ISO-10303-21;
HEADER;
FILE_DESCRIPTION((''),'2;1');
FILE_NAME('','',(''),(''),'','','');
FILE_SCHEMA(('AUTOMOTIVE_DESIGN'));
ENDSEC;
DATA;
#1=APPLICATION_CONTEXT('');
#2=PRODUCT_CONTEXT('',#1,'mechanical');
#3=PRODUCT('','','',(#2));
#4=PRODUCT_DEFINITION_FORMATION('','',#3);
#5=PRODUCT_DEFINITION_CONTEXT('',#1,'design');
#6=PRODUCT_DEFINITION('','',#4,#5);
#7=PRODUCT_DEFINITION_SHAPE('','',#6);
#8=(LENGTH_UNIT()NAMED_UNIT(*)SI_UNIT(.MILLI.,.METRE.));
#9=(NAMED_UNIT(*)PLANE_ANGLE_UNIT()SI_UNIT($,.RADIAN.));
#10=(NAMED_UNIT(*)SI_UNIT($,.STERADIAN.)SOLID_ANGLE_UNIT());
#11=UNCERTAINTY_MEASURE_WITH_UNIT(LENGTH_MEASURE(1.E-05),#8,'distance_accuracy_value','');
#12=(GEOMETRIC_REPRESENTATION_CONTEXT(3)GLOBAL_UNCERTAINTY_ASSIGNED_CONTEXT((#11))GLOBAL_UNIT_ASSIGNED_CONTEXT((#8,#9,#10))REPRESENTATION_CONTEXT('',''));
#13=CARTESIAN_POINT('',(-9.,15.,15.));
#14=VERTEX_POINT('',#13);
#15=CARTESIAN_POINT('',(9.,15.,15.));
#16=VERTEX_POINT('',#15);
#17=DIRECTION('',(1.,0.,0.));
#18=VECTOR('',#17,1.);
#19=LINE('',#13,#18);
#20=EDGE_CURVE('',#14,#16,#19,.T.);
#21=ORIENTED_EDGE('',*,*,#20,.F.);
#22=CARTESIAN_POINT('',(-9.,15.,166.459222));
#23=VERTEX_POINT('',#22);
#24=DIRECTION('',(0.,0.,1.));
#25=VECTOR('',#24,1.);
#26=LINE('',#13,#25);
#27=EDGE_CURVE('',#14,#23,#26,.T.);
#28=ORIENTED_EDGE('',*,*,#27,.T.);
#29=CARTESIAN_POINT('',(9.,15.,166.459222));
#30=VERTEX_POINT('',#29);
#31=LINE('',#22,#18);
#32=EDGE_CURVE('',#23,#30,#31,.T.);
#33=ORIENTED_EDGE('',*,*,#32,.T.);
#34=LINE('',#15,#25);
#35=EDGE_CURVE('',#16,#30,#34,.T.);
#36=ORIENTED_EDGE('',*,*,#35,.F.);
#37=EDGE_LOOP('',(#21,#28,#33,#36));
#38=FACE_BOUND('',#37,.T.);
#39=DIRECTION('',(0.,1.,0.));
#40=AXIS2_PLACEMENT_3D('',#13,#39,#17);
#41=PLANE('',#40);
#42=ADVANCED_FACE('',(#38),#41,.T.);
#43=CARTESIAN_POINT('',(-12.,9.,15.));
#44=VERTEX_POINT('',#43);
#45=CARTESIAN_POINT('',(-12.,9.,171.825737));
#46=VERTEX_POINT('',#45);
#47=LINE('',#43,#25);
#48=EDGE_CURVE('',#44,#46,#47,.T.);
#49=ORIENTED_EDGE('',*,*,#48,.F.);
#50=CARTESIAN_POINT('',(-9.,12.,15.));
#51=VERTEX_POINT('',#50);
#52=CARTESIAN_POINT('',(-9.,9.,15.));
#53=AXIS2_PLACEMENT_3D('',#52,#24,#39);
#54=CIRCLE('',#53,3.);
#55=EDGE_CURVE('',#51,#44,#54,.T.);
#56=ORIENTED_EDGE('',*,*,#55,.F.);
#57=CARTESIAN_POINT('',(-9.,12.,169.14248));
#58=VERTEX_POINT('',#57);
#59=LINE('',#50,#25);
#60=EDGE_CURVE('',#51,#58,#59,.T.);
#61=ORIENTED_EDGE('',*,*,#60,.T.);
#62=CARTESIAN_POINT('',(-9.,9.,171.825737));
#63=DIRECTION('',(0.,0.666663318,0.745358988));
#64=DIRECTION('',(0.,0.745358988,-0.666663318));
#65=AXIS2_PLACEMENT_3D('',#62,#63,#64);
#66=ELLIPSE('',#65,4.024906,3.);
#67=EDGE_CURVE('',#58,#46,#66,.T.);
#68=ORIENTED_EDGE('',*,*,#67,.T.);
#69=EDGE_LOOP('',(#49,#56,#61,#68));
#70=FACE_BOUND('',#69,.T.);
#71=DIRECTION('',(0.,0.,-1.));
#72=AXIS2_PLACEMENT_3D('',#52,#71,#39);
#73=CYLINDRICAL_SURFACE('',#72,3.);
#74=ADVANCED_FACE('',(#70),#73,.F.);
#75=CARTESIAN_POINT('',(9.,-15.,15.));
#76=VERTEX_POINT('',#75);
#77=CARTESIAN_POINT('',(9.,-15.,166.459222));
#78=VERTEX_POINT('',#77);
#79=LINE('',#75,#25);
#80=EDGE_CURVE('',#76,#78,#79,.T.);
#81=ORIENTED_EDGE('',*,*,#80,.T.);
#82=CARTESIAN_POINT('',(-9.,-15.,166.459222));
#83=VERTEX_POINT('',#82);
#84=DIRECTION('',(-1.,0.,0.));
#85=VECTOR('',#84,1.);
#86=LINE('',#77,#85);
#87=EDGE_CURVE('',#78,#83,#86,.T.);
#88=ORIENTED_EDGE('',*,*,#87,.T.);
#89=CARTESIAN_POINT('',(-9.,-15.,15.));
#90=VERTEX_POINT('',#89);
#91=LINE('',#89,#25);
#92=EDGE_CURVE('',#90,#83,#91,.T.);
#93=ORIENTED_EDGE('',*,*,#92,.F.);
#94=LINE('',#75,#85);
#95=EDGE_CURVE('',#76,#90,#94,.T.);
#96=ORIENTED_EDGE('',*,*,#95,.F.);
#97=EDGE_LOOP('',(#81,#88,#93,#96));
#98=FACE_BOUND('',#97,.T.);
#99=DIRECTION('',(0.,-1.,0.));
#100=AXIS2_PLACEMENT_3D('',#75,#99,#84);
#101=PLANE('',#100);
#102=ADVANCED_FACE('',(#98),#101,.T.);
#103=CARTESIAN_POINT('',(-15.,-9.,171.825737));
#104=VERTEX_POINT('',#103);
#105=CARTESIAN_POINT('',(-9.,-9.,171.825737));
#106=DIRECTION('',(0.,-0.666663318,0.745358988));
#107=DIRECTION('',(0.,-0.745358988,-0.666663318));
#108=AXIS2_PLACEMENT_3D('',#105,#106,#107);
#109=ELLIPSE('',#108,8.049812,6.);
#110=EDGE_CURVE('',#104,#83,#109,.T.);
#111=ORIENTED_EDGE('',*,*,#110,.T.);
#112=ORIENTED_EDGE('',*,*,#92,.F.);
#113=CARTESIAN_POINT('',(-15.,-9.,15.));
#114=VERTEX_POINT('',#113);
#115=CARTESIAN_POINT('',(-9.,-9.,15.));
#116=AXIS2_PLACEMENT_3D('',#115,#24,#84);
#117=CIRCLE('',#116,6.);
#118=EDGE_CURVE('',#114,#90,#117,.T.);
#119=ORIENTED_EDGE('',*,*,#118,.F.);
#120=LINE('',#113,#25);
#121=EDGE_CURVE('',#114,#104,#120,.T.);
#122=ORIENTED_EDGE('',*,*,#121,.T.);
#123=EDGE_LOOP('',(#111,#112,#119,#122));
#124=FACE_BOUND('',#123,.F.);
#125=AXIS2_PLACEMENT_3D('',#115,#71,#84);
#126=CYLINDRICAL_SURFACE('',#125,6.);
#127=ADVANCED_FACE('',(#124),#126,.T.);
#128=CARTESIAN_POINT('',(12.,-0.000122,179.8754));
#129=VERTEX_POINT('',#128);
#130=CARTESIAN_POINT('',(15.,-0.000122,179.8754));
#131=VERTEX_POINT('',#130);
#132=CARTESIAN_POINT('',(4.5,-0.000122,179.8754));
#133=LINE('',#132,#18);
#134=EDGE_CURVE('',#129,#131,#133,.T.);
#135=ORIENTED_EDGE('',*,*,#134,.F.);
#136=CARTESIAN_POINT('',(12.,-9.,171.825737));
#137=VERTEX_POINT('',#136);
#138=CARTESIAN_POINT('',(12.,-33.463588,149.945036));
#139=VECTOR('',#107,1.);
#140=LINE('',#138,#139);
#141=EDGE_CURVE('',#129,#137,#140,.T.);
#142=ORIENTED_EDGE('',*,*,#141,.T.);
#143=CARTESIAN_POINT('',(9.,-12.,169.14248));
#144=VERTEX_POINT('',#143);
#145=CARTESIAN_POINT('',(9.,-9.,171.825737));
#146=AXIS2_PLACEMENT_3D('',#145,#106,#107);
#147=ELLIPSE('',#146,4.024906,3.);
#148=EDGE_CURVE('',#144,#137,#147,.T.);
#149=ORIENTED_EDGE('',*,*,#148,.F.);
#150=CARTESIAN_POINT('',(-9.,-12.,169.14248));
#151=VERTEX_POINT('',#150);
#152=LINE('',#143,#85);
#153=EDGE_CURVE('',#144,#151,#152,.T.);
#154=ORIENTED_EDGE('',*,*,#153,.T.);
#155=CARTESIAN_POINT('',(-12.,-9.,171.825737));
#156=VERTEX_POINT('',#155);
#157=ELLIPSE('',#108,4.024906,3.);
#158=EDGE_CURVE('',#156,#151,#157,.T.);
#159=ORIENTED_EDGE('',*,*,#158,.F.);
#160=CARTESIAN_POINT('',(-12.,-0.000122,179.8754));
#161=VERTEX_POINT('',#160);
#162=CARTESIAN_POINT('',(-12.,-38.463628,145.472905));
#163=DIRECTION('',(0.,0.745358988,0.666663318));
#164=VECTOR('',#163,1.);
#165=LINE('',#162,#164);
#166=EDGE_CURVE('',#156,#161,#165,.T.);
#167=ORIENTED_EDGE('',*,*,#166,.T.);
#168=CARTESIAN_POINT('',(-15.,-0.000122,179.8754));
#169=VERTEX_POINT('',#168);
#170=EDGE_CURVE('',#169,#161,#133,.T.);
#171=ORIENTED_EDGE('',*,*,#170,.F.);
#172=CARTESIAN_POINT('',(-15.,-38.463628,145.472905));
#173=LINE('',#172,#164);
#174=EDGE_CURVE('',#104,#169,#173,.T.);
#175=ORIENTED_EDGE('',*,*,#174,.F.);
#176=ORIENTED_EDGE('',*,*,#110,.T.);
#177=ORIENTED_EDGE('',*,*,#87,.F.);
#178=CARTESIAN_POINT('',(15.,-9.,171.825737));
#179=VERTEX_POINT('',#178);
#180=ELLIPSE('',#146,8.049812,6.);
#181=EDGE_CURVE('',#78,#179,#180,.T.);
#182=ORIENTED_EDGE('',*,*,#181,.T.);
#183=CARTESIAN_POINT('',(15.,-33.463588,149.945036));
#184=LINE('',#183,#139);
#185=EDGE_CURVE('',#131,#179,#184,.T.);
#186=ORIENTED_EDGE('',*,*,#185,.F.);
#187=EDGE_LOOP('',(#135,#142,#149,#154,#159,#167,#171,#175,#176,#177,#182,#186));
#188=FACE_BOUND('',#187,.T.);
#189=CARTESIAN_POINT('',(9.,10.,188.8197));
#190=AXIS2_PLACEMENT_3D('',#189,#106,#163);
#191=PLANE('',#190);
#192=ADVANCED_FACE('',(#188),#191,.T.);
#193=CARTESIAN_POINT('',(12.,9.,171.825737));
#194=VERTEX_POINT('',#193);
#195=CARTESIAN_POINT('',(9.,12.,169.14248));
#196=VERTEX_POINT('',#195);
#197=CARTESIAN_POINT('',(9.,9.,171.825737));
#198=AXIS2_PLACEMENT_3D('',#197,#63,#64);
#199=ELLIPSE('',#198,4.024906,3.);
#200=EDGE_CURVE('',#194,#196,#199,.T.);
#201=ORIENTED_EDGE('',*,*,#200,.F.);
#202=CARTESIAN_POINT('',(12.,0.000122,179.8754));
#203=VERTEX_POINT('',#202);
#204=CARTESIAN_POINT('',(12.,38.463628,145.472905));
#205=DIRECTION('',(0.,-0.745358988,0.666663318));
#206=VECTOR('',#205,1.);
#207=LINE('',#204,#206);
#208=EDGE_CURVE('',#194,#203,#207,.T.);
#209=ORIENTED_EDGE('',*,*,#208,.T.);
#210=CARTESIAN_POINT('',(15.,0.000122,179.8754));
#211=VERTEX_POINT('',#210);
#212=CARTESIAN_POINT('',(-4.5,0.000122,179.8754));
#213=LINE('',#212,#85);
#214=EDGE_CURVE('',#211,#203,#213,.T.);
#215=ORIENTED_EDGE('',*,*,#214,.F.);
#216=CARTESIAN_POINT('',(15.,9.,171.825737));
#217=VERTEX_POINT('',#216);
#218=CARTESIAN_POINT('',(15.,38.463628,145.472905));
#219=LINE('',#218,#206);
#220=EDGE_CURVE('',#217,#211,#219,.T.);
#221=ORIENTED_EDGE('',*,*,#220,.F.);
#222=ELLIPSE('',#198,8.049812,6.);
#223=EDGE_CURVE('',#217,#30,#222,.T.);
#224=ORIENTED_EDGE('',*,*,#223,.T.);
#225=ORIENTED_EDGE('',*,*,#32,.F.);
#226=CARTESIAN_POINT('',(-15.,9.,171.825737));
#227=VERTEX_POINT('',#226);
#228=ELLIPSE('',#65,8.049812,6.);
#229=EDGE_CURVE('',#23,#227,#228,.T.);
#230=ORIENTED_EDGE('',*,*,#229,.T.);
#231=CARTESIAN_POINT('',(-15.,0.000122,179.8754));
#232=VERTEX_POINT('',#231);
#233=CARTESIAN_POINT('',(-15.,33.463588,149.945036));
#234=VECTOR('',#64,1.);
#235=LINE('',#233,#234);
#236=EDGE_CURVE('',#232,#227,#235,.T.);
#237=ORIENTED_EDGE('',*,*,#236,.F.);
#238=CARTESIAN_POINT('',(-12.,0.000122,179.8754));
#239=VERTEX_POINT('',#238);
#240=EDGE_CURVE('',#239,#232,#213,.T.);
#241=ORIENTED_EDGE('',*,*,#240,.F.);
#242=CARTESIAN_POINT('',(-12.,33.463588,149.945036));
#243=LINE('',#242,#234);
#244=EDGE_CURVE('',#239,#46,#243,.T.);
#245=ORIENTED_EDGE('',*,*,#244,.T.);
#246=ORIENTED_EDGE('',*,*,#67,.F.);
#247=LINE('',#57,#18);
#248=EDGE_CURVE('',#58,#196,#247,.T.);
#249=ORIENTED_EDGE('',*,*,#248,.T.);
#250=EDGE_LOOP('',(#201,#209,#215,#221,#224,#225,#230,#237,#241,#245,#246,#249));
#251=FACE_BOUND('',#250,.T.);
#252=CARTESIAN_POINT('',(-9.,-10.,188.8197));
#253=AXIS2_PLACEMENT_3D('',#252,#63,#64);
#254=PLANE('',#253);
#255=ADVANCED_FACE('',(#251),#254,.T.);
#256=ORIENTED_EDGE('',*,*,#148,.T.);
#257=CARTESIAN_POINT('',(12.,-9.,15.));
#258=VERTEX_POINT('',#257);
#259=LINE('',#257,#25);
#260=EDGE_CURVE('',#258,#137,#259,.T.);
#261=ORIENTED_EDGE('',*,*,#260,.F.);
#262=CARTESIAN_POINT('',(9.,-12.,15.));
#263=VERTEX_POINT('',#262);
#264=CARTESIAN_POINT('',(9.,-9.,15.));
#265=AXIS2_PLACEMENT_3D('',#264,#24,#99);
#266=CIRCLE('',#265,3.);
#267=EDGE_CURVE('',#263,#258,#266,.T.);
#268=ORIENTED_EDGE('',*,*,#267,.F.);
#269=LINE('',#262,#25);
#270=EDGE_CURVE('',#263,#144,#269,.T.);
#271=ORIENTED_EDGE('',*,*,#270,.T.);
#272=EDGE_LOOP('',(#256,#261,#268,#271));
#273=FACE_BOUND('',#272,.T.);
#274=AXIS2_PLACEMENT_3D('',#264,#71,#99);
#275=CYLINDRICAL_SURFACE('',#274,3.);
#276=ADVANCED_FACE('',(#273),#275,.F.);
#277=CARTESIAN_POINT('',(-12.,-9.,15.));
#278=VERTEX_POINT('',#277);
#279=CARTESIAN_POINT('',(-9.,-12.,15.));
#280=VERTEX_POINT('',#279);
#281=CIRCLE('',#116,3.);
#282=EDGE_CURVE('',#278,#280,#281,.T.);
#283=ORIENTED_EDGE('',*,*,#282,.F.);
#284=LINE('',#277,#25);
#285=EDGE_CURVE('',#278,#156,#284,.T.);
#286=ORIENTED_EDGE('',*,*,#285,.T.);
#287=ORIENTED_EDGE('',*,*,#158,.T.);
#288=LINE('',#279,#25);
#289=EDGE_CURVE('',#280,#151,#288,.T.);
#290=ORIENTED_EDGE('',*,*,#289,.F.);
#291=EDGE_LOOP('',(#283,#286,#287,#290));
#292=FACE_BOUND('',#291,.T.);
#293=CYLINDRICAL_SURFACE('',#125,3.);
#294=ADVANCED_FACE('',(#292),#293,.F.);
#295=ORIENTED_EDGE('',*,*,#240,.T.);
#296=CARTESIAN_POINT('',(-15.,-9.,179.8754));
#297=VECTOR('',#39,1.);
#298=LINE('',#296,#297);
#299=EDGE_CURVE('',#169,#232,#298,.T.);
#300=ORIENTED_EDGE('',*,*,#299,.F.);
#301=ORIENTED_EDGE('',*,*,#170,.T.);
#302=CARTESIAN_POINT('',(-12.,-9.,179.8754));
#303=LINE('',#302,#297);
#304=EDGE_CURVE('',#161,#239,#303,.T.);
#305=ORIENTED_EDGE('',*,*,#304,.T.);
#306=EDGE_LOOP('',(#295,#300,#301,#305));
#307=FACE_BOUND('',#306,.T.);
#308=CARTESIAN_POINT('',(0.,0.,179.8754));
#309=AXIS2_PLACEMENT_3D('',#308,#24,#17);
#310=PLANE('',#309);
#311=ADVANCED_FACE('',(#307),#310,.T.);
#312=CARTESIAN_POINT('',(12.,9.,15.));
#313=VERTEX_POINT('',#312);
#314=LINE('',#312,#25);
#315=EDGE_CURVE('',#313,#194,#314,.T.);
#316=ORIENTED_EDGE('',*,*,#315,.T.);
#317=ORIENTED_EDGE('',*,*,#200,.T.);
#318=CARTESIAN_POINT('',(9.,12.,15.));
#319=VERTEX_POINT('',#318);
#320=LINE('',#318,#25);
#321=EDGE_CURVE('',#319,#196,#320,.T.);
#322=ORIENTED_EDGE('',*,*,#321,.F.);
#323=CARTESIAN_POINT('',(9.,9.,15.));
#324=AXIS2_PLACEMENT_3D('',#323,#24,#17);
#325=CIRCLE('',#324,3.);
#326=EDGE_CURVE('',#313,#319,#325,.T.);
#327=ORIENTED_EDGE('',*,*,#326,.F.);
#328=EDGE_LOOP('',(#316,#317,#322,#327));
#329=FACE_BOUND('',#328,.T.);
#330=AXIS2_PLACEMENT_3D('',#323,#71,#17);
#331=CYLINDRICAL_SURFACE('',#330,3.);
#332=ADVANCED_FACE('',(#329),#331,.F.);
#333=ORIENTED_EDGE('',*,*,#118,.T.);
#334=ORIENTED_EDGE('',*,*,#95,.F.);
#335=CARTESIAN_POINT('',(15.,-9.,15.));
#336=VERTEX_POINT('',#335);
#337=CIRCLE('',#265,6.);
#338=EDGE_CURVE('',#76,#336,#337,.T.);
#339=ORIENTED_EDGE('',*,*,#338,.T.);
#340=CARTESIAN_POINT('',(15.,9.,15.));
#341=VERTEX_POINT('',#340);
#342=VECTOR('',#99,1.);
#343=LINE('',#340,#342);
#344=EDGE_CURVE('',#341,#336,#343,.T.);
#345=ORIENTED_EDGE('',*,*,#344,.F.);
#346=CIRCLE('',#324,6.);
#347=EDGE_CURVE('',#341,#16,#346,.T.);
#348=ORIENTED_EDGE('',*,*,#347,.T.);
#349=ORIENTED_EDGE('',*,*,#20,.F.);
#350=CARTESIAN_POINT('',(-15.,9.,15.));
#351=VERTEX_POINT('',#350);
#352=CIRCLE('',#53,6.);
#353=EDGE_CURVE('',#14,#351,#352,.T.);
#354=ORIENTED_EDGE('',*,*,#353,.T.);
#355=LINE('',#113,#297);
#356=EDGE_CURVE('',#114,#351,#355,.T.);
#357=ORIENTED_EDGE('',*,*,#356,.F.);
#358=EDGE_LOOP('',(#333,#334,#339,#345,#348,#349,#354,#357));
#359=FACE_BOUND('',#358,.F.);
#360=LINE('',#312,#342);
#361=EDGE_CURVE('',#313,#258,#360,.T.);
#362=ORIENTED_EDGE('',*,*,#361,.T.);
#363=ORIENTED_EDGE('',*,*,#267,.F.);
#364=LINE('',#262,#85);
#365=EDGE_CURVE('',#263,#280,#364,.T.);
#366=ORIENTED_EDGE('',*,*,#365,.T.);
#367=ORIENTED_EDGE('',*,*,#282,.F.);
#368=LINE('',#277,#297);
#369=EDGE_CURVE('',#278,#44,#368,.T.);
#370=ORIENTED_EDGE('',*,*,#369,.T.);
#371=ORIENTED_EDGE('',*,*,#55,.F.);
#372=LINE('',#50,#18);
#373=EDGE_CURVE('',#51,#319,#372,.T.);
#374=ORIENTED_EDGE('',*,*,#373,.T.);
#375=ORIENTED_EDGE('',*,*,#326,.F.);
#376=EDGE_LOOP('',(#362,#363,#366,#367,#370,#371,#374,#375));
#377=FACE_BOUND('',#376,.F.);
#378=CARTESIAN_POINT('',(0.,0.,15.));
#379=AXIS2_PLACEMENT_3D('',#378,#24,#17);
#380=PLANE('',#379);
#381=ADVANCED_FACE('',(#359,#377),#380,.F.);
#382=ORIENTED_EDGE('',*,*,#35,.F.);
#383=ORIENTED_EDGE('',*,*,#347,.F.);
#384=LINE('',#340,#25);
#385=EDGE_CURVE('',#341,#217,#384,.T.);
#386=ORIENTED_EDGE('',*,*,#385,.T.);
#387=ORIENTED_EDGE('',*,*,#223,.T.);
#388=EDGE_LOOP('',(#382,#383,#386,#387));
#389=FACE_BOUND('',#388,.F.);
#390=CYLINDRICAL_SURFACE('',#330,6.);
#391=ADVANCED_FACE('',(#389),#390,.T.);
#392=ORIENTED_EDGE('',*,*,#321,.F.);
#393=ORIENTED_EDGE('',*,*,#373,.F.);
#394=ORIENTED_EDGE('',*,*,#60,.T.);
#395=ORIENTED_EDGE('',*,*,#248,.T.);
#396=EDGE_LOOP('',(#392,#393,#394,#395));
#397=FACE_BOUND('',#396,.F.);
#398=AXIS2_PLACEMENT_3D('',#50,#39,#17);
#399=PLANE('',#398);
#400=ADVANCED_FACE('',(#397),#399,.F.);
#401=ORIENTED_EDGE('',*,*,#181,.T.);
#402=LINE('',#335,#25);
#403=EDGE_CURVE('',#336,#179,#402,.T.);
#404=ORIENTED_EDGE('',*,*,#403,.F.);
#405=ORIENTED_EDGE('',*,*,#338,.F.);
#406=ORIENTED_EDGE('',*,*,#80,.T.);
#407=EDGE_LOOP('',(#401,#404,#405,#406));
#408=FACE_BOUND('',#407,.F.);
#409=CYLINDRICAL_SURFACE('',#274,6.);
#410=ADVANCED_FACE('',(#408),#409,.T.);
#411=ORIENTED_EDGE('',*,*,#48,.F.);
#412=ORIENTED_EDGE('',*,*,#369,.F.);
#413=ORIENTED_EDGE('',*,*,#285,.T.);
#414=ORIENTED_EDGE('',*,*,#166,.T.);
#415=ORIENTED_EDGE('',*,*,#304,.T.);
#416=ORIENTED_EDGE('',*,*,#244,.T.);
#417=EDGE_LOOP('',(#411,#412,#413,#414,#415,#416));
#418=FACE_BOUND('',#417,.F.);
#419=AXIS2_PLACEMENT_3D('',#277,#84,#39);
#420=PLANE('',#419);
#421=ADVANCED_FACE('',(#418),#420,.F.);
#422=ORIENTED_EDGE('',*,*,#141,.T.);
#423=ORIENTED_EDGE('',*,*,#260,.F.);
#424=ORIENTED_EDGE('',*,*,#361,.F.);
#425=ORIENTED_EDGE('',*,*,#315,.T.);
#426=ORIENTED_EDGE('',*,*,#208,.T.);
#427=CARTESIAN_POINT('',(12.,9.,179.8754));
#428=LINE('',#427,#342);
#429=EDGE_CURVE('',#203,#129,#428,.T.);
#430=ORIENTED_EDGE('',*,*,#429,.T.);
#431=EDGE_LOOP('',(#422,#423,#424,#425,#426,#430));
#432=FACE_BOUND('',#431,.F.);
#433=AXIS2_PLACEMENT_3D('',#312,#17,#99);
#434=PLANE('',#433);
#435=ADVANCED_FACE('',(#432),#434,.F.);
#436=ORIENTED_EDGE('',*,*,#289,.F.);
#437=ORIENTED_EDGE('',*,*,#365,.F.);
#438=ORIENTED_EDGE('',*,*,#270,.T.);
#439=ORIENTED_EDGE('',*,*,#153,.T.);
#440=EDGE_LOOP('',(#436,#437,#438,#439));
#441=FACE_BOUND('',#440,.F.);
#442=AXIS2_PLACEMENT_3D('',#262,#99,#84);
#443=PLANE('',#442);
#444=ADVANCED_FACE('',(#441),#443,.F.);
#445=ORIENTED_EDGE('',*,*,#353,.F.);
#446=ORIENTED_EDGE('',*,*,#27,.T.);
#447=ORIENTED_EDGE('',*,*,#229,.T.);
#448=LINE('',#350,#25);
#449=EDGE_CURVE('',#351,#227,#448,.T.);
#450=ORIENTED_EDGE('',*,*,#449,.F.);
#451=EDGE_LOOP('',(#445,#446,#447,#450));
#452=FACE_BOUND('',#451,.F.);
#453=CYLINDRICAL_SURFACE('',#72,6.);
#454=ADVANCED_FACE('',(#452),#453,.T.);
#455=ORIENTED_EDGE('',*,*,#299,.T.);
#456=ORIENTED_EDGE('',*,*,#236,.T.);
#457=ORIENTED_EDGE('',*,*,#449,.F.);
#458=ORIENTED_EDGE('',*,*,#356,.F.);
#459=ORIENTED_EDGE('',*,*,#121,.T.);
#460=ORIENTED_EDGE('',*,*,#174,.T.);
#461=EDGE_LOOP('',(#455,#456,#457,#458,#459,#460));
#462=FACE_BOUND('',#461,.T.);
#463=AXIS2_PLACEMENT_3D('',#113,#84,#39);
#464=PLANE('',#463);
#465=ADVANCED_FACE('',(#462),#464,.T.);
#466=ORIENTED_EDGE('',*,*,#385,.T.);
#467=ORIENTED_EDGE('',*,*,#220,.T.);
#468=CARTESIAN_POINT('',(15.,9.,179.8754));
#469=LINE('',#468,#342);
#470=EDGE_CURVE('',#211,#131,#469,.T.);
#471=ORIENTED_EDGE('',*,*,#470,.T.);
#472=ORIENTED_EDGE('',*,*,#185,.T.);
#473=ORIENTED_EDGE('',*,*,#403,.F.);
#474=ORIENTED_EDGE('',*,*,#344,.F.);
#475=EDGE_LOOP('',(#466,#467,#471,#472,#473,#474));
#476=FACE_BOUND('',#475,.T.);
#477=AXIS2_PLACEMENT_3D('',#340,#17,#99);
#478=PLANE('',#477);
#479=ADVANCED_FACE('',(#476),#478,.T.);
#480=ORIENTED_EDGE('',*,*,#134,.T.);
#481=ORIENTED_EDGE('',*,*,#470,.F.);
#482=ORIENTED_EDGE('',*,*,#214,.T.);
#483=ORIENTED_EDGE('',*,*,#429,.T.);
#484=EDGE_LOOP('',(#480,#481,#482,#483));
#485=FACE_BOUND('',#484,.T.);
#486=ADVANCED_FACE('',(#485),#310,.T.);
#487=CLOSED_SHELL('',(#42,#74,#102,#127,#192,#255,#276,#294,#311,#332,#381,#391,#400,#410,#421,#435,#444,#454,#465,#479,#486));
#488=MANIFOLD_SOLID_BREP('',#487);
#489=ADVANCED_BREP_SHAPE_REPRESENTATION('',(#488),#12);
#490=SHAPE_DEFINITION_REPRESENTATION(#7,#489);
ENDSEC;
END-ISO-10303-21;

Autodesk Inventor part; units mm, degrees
ref_plane "Start Plane" through (0, 0, 15) normal (0, 0, 1) x (1, 0, 0)
ref_plane "End Plane" through (0, 0, 179.8754) normal (0, 0, 1) x (1, 0, 0)
sketch "Sketch" plane through (0, 0, 0) normal (0, 0, 1) x (1, 0, 0)
  line L0 (-15, -9) -> (-15, 9)
  line L1 (-9, 15) -> (9, 15)
  line L2 (15, 9) -> (15, -9)
  line L3 (9, -15) -> (-9, -15)
  arc A0 (-15, -9) -> (-9, -15) centre (-9, -9) ccw
  arc A1 (-9, 15) -> (-15, 9) centre (-9, 9) ccw
  arc A2 (15, 9) -> (9, 15) centre (9, 9) ccw
  arc A3 (9, -15) -> (15, -9) centre (9, -9) ccw
  arc A4 (-9, 12) -> (-12, 9) centre (-9, 9) ccw
  line L4 (-9, 12) -> (9, 12)
  arc A5 (12, 9) -> (9, 12) centre (9, 9) ccw
  line L5 (12, 9) -> (12, -9)
  arc A6 (9, -12) -> (12, -9) centre (9, -9) ccw
  line L6 (9, -12) -> (-9, -12)
  arc A7 (-12, -9) -> (-9, -12) centre (-9, -9) ccw
  line L7 (-12, -9) -> (-12, 9)
  line L8 (0, 22.7397) -> (0, -22.7397) construction
  line L9 (-22.7397, 0) -> (22.7397, 0) construction
  dimension "d7" = 6
  dimension "d10" = 30
  dimension "d11" = 30
  dimension "d12" = 3
  dimension "d15" = 15
  dimension "d16" = 15
extrude "Body" add sketch "Sketch" along normal up to surface (164.8754 mm away) from surface at 15
sketch "Sketch3" plane through (0, 0, 0) normal (0, 0, 1) x (1, 0, 0)
  line L0 (0, 0) -> (10, 0)
ref_plane "Work Plane3" through (0, 0, 0) normal (0, -1, 0) x (1, 0, 0)
ref_plane "Work Plane4" through (299, -839, 15) normal (0, 0, -1) x (-1, 0, 0)
split "Split1" plane through (299, -839, 15) removes the side toward (0, 0, -1)
ref_plane "Work Plane5" through (9, 10, 188.8197) normal (0, -0.6667, 0.7454) x (1, 0, 0)
split "Split2" plane through (9, 10, 188.8197) removes the side toward (0, -0.6667, 0.7454)
ref_plane "Work Plane6" through (-9, -10, 188.8197) normal (0, 0.6667, 0.7454) x (1, 0, 0)
split "Split3" plane through (-9, -10, 188.8197) removes the side toward (0, 0.6667, 0.7454)
sketch "Sketch4" plane through (0, 0, 0) normal (0, -1, 0) x (1, 0, 0)
  line L0 (-2, 15) -> (12, 15) projected
  line L1 (-2, 179.8754) -> (12, 179.8754) projected
  dimension "d18" = 164.8754
equation "\"d7\" = G_IR"
equation "\"d10\" = G_H"
equation "\"d11\" = G_W"
equation "\"d12\" = G_T"
equation "\"d15\" = 0.5 * d10"
equation "\"d16\" = 0.5 * d11"
equation "\"d3\" = G_L"
equation "\"G_W\" = 30"
equation "\"G_H\" = 30"
equation "\"G_T\" = 3"
equation "\"G_IR\" = 6"
equation "\"G_L\" = d18"
equation "\"G_OFFSET_START\" = -15"
equation "\"G_OFFSET_END\" = -20.12461"
equation "\"d13\" = -G_OFFSET_START"
equation "\"d14\" = G_OFFSET_END + B_L"
equation "\"B_L\" = 200"
properties part number "DIN EN 10219-2 - 30 x 30 x 3  - 164.88" material "Steel, Mild"
